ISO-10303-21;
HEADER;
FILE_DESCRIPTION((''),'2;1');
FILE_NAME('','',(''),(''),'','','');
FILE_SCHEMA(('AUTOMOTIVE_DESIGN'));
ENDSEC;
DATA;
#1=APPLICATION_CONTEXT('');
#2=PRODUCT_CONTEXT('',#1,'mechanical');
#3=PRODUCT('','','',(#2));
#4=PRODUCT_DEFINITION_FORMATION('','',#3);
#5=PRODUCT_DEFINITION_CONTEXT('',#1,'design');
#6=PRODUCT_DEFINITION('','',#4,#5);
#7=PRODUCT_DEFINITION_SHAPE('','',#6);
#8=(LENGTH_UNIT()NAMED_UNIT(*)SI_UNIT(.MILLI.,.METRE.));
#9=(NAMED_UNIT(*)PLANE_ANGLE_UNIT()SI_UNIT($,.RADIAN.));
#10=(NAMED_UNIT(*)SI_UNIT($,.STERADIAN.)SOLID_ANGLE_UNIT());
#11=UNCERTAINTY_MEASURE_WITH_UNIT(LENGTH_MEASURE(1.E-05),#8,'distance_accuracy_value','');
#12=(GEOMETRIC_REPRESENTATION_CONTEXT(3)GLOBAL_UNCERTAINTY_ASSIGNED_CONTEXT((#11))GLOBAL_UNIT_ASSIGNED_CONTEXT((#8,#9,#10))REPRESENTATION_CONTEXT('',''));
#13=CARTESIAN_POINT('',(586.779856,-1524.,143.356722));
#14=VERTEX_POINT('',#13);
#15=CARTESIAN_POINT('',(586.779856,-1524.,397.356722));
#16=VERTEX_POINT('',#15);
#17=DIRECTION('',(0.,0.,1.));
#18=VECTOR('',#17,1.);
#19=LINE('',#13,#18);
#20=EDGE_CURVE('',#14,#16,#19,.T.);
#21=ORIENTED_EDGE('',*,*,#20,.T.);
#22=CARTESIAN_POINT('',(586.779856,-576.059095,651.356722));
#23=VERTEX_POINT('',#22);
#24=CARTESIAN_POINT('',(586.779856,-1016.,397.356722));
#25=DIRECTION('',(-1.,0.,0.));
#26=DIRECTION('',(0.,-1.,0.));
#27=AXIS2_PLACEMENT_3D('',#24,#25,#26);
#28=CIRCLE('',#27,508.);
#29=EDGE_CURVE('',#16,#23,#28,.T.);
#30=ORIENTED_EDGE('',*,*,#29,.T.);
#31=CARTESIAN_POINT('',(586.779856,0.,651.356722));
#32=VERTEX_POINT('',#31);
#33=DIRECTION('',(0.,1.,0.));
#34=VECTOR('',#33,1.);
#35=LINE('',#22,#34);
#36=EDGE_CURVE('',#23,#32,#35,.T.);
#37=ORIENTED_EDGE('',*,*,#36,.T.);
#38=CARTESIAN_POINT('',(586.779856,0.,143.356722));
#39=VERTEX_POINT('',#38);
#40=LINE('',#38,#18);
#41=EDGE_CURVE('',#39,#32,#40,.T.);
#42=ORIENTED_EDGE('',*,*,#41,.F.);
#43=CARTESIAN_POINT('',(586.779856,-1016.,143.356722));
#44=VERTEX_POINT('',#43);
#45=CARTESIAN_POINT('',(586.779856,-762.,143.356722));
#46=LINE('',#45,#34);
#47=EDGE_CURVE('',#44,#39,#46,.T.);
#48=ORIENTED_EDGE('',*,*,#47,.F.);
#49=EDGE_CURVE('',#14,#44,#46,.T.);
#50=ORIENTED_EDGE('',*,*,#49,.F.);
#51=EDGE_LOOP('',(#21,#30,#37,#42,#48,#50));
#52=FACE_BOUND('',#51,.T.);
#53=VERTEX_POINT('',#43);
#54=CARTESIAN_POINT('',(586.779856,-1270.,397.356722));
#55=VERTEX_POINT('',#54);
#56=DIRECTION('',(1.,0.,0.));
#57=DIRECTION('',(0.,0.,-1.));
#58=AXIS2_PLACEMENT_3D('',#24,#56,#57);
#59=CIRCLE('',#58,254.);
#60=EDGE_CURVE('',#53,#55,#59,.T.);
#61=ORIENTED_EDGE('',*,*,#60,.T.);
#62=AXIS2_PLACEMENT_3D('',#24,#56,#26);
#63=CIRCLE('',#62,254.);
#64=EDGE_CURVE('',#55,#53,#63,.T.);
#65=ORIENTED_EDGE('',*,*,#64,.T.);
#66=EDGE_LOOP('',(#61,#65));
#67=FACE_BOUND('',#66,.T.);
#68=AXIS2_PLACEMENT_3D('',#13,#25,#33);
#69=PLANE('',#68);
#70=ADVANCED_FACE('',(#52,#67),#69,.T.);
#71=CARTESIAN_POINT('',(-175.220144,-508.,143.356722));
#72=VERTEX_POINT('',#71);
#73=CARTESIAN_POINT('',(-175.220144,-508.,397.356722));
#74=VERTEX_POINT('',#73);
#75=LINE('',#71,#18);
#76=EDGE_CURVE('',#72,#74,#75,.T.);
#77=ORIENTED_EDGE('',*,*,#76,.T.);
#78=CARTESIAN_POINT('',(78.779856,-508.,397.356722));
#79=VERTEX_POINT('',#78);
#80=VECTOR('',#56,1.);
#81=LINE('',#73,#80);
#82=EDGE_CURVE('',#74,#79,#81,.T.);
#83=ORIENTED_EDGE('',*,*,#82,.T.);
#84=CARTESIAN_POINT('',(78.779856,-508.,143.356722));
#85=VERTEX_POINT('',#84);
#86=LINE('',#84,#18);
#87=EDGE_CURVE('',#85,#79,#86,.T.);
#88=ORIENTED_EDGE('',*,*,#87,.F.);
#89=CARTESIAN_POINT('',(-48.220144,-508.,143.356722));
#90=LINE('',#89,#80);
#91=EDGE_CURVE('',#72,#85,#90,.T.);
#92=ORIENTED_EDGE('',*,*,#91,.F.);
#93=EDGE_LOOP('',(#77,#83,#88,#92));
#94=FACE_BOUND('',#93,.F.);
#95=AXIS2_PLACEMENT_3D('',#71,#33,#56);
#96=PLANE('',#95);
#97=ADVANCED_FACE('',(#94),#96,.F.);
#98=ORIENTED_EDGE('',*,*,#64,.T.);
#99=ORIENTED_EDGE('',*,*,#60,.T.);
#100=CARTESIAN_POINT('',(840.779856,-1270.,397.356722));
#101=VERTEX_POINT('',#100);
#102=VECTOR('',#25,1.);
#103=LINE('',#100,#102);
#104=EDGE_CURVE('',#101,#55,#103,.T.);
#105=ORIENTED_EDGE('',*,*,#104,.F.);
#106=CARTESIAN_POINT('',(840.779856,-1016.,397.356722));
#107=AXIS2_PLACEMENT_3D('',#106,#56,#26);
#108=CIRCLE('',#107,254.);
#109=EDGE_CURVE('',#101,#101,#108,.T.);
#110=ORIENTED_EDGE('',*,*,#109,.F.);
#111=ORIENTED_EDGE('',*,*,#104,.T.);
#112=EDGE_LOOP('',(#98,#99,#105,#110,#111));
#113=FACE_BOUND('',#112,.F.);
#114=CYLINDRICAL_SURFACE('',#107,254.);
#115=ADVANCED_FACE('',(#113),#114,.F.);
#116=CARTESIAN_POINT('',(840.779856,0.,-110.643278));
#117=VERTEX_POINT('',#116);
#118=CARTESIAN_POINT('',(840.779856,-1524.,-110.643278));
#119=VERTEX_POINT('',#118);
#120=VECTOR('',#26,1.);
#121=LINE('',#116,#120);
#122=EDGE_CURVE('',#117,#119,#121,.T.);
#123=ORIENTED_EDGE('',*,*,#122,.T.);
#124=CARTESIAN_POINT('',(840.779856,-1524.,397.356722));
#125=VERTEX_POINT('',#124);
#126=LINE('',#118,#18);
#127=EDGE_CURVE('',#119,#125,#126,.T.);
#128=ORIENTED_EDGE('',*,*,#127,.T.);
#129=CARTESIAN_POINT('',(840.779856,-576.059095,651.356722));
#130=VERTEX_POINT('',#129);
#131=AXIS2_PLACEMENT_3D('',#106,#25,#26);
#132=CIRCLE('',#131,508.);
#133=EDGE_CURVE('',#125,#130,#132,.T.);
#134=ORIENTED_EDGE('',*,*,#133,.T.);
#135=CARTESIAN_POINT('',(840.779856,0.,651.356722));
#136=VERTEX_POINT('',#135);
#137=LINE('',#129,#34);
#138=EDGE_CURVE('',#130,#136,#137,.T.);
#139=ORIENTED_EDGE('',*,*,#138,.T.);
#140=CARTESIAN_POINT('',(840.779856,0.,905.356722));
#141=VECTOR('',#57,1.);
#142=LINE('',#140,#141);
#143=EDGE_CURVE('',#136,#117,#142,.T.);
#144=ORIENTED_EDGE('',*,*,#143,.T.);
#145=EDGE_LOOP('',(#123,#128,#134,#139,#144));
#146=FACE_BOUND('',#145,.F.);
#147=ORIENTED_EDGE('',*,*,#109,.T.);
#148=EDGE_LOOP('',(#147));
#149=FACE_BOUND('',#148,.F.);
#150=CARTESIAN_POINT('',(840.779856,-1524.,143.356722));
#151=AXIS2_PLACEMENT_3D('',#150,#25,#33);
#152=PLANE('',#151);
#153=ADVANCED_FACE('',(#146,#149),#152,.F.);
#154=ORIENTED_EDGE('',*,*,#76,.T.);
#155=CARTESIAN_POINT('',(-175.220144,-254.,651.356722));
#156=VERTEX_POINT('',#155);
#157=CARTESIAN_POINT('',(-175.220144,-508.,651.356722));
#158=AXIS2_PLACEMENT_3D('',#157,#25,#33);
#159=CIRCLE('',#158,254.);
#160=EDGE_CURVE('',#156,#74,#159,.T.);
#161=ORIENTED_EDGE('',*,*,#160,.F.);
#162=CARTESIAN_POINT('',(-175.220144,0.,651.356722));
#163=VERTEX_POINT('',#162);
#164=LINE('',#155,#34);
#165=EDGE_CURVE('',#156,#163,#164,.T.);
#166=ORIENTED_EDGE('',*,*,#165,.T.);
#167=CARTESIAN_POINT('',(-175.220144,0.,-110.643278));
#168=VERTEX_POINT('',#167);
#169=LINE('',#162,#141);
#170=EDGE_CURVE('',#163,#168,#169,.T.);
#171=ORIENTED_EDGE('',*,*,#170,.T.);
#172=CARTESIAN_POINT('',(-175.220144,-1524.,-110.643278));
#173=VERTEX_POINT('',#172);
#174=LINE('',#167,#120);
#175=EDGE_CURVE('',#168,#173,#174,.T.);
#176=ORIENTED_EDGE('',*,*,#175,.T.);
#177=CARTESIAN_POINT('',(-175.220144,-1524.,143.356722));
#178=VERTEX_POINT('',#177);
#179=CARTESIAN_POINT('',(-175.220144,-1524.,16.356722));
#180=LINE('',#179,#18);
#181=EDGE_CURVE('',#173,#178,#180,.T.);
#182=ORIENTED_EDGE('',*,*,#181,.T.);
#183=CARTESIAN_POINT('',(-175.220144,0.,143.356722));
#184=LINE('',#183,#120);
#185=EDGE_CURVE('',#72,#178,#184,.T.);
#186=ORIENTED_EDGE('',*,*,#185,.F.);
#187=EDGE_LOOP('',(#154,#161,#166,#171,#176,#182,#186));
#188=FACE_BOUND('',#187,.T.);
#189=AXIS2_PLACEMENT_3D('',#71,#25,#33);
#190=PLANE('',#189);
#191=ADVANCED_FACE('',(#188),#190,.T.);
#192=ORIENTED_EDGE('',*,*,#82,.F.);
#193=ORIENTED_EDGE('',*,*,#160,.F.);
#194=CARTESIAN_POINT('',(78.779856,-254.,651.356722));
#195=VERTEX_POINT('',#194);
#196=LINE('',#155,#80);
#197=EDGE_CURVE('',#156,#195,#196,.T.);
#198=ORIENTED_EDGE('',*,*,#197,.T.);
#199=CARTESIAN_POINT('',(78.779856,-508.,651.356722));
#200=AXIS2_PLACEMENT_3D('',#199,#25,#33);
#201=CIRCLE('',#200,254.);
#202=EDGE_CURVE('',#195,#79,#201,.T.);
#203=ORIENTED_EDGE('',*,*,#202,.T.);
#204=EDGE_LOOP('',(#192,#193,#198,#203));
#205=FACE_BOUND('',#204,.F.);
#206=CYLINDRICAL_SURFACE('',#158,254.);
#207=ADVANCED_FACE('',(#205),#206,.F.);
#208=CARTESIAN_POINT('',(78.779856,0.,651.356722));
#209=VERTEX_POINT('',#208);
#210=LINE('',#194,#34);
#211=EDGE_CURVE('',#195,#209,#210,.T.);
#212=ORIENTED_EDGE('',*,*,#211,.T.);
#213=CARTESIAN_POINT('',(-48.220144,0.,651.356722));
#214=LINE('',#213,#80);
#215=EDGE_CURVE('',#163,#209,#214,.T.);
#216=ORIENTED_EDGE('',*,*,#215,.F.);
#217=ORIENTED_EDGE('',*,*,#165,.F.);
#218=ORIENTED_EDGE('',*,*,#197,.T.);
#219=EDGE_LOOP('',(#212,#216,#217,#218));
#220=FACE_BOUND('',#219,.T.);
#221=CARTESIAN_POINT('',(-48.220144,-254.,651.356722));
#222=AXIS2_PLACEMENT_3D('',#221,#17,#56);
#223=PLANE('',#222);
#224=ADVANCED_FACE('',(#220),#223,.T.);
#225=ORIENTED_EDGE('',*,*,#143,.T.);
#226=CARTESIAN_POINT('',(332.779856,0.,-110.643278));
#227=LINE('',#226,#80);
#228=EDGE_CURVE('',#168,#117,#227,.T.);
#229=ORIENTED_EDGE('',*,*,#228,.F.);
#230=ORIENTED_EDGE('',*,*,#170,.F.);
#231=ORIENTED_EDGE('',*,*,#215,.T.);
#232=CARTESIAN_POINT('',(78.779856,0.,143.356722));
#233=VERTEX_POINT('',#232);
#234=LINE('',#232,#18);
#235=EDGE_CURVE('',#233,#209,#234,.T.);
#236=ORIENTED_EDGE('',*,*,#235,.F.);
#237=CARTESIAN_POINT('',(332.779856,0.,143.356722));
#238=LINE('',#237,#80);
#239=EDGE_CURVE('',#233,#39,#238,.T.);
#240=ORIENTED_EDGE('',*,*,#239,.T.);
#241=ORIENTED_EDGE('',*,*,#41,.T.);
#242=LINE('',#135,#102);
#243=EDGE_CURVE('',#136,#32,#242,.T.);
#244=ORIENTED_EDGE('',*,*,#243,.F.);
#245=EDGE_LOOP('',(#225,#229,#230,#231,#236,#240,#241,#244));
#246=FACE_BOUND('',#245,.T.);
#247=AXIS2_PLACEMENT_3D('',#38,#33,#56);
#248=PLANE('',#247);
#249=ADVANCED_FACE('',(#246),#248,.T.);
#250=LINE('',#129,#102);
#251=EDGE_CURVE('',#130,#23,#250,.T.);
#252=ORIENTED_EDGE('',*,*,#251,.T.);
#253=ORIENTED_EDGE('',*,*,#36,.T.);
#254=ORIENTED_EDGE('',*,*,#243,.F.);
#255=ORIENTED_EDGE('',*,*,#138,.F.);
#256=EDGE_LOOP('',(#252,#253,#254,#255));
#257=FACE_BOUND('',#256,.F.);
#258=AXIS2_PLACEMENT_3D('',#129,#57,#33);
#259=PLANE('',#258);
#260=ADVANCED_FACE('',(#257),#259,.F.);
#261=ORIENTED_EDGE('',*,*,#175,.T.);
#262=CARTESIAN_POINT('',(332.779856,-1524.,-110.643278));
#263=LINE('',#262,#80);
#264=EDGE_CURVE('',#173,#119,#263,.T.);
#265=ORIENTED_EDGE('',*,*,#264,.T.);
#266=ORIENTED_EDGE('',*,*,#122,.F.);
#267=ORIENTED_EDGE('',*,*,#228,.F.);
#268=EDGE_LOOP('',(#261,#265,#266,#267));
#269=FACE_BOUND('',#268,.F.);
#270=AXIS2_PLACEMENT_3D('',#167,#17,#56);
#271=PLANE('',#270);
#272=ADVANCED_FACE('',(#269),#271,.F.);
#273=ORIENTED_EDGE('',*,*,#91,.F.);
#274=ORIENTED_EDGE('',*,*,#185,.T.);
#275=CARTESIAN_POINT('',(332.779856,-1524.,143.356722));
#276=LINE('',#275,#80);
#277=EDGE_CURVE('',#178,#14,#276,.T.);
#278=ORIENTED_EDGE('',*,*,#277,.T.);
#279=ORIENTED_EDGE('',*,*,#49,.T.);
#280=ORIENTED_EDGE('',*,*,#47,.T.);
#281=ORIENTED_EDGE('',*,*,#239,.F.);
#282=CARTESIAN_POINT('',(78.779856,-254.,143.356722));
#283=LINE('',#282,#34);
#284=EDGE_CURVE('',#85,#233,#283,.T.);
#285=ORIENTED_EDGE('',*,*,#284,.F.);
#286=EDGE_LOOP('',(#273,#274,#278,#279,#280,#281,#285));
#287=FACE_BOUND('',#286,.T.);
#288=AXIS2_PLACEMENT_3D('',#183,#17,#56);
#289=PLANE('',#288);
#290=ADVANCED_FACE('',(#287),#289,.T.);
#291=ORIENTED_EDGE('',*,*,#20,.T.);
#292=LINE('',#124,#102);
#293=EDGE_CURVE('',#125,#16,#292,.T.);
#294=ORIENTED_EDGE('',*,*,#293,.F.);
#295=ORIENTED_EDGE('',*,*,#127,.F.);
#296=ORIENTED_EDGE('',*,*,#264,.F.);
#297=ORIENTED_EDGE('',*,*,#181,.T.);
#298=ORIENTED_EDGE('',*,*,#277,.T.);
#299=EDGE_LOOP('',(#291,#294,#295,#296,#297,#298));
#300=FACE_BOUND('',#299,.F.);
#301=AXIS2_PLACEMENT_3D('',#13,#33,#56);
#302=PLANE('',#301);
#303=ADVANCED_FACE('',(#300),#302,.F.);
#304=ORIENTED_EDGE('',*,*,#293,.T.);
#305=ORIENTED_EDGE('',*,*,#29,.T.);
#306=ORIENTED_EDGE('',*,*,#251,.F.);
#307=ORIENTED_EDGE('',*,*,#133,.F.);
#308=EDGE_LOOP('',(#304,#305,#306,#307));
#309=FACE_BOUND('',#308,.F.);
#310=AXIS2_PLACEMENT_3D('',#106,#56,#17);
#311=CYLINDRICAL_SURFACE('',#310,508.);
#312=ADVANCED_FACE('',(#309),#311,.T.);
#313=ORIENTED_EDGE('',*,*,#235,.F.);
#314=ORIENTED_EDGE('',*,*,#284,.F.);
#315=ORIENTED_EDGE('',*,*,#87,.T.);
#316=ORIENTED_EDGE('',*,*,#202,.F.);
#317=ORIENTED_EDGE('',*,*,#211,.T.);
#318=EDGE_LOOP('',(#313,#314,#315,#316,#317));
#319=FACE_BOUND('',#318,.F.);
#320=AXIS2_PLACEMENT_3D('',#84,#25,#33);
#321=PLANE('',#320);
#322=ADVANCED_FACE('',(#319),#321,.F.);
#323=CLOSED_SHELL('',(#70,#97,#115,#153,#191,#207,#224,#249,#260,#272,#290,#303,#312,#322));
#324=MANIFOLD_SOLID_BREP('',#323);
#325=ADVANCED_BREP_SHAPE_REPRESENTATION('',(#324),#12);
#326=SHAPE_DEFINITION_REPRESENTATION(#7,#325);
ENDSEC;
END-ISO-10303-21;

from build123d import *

# Parameters (mm, degrees)
F0_W      = 1016
F0_H      = 254
F1_DEPTH  = 1524
F2_W      = 254
F2_H      = 508
F3_DEPTH  = 508
F4_W      = 254
F4_H      = 1524
F5_DEPTH  = 762
F7_DEPTH  = 254
F9_DEPTH  = 254
F10_W     = 508
F10_H     = 254
F11_DEPTH = 254


with BuildPart() as f1:
    # F0 (on Front) → F1 (new body)
    with BuildSketch(Plane.XZ):
        with Locations((332.7798564441, 16.3567224517)):
            Rectangle(F0_W, F0_H)
    extrude(amount=F1_DEPTH)

    # F2 (on face) → F3 (join)
    with BuildSketch(Plane.XY.offset(143.3567224517)):
        with Locations((-48.2201435559, -254)):
            Rectangle(F2_W, F2_H)
    extrude(amount=F3_DEPTH)

    # F4 (on face) → F5 (join)
    with BuildSketch(Plane.XY.offset(143.3567224517)):
        with Locations((713.7798564441, -762)):
            Rectangle(F4_W, F4_H)
    extrude(amount=F5_DEPTH)

    # F6 (on face) → F7 (cut)
    with BuildSketch(Plane(origin=(-175.2201435559, 0, 0), x_dir=(0, -1, 0), z_dir=(-1, 0, 0))):
        with BuildLine():
            Line((508, 651.3567224517), (254, 651.3567224517))
            ThreePointArc((254, 651.3567224517), (328.3948775786, 471.7516000304), (508, 397.3567224517))
            Line((508, 397.3567224517), (508, 651.3567224517))
        make_face()
    extrude(amount=-F7_DEPTH, mode=Mode.SUBTRACT)

    # F8 (on face) → F9 (cut)
    with BuildSketch(Plane.YZ.offset(840.7798564441)):
        with BuildLine():
            ThreePointArc((-1016, 651.3567224517), (-1195.6051224214, 576.9618448731), (-1270, 397.3567224517))
            Line((-1270, 397.3567224517), (-1016, 397.3567224517))
            Line((-1016, 397.3567224517), (-1016, 651.3567224517))
        make_face()
        with BuildLine():
            Line((-1016, 397.3567224517), (-762, 397.3567224517))
            ThreePointArc((-762, 397.3567224517), (-836.3948775786, 576.9618448731), (-1016, 651.3567224517))
            Line((-1016, 651.3567224517), (-1016, 397.3567224517))
        make_face()
        with BuildLine():
            Line((-1016, 397.3567224517), (-1270, 397.3567224517))
            ThreePointArc((-1270, 397.3567224517), (-1016, 143.3567224517), (-762, 397.3567224517))
            Line((-762, 397.3567224517), (-1016, 397.3567224517))
        make_face()
    extrude(amount=-F9_DEPTH, mode=Mode.SUBTRACT)

    # F10 (on face) → F11 (cut)
    with BuildSketch(Plane.YZ.offset(840.7798564441)):
        with BuildLine():
            Line((-762, 397.3567224517), (-1270, 397.3567224517))
            ThreePointArc((-1270, 397.3567224517), (-1016, 143.3567224517), (-762, 397.3567224517))
        make_face()
        with BuildLine():
            ThreePointArc((-762, 397.3567224517), (-1016, 651.3567224517), (-1270, 397.3567224517))
            Line((-1270, 397.3567224517), (-762, 397.3567224517))
        make_face()
        with BuildLine():
            Line((-1524, 905.3567224517), (-1524, 397.3567224517))
            ThreePointArc((-1524, 397.3567224517), (-1375.2102448427, 756.5669672945), (-1015.9999999999, 905.3567224517))
            Line((-1015.9999999999, 905.3567224517), (-1524, 905.3567224517))
        make_face()
        with BuildLine():
            Line((-508, 905.3567224517), (-1015.9999999999, 905.3567224517))
            ThreePointArc((-1015.9999999999, 905.3567224517), (-762, 837.2976275742), (-576.0590948775, 651.3567224517))
            Line((-576.0590948775, 651.3567224517), (-508, 651.3567224517))
            Line((-508, 651.3567224517), (-508, 905.3567224517))
        make_face()
        with Locations((-254, 778.3567224517)):
            Rectangle(F10_W, F10_H)
    extrude(amount=-F11_DEPTH, mode=Mode.SUBTRACT)


solid = f1.part
